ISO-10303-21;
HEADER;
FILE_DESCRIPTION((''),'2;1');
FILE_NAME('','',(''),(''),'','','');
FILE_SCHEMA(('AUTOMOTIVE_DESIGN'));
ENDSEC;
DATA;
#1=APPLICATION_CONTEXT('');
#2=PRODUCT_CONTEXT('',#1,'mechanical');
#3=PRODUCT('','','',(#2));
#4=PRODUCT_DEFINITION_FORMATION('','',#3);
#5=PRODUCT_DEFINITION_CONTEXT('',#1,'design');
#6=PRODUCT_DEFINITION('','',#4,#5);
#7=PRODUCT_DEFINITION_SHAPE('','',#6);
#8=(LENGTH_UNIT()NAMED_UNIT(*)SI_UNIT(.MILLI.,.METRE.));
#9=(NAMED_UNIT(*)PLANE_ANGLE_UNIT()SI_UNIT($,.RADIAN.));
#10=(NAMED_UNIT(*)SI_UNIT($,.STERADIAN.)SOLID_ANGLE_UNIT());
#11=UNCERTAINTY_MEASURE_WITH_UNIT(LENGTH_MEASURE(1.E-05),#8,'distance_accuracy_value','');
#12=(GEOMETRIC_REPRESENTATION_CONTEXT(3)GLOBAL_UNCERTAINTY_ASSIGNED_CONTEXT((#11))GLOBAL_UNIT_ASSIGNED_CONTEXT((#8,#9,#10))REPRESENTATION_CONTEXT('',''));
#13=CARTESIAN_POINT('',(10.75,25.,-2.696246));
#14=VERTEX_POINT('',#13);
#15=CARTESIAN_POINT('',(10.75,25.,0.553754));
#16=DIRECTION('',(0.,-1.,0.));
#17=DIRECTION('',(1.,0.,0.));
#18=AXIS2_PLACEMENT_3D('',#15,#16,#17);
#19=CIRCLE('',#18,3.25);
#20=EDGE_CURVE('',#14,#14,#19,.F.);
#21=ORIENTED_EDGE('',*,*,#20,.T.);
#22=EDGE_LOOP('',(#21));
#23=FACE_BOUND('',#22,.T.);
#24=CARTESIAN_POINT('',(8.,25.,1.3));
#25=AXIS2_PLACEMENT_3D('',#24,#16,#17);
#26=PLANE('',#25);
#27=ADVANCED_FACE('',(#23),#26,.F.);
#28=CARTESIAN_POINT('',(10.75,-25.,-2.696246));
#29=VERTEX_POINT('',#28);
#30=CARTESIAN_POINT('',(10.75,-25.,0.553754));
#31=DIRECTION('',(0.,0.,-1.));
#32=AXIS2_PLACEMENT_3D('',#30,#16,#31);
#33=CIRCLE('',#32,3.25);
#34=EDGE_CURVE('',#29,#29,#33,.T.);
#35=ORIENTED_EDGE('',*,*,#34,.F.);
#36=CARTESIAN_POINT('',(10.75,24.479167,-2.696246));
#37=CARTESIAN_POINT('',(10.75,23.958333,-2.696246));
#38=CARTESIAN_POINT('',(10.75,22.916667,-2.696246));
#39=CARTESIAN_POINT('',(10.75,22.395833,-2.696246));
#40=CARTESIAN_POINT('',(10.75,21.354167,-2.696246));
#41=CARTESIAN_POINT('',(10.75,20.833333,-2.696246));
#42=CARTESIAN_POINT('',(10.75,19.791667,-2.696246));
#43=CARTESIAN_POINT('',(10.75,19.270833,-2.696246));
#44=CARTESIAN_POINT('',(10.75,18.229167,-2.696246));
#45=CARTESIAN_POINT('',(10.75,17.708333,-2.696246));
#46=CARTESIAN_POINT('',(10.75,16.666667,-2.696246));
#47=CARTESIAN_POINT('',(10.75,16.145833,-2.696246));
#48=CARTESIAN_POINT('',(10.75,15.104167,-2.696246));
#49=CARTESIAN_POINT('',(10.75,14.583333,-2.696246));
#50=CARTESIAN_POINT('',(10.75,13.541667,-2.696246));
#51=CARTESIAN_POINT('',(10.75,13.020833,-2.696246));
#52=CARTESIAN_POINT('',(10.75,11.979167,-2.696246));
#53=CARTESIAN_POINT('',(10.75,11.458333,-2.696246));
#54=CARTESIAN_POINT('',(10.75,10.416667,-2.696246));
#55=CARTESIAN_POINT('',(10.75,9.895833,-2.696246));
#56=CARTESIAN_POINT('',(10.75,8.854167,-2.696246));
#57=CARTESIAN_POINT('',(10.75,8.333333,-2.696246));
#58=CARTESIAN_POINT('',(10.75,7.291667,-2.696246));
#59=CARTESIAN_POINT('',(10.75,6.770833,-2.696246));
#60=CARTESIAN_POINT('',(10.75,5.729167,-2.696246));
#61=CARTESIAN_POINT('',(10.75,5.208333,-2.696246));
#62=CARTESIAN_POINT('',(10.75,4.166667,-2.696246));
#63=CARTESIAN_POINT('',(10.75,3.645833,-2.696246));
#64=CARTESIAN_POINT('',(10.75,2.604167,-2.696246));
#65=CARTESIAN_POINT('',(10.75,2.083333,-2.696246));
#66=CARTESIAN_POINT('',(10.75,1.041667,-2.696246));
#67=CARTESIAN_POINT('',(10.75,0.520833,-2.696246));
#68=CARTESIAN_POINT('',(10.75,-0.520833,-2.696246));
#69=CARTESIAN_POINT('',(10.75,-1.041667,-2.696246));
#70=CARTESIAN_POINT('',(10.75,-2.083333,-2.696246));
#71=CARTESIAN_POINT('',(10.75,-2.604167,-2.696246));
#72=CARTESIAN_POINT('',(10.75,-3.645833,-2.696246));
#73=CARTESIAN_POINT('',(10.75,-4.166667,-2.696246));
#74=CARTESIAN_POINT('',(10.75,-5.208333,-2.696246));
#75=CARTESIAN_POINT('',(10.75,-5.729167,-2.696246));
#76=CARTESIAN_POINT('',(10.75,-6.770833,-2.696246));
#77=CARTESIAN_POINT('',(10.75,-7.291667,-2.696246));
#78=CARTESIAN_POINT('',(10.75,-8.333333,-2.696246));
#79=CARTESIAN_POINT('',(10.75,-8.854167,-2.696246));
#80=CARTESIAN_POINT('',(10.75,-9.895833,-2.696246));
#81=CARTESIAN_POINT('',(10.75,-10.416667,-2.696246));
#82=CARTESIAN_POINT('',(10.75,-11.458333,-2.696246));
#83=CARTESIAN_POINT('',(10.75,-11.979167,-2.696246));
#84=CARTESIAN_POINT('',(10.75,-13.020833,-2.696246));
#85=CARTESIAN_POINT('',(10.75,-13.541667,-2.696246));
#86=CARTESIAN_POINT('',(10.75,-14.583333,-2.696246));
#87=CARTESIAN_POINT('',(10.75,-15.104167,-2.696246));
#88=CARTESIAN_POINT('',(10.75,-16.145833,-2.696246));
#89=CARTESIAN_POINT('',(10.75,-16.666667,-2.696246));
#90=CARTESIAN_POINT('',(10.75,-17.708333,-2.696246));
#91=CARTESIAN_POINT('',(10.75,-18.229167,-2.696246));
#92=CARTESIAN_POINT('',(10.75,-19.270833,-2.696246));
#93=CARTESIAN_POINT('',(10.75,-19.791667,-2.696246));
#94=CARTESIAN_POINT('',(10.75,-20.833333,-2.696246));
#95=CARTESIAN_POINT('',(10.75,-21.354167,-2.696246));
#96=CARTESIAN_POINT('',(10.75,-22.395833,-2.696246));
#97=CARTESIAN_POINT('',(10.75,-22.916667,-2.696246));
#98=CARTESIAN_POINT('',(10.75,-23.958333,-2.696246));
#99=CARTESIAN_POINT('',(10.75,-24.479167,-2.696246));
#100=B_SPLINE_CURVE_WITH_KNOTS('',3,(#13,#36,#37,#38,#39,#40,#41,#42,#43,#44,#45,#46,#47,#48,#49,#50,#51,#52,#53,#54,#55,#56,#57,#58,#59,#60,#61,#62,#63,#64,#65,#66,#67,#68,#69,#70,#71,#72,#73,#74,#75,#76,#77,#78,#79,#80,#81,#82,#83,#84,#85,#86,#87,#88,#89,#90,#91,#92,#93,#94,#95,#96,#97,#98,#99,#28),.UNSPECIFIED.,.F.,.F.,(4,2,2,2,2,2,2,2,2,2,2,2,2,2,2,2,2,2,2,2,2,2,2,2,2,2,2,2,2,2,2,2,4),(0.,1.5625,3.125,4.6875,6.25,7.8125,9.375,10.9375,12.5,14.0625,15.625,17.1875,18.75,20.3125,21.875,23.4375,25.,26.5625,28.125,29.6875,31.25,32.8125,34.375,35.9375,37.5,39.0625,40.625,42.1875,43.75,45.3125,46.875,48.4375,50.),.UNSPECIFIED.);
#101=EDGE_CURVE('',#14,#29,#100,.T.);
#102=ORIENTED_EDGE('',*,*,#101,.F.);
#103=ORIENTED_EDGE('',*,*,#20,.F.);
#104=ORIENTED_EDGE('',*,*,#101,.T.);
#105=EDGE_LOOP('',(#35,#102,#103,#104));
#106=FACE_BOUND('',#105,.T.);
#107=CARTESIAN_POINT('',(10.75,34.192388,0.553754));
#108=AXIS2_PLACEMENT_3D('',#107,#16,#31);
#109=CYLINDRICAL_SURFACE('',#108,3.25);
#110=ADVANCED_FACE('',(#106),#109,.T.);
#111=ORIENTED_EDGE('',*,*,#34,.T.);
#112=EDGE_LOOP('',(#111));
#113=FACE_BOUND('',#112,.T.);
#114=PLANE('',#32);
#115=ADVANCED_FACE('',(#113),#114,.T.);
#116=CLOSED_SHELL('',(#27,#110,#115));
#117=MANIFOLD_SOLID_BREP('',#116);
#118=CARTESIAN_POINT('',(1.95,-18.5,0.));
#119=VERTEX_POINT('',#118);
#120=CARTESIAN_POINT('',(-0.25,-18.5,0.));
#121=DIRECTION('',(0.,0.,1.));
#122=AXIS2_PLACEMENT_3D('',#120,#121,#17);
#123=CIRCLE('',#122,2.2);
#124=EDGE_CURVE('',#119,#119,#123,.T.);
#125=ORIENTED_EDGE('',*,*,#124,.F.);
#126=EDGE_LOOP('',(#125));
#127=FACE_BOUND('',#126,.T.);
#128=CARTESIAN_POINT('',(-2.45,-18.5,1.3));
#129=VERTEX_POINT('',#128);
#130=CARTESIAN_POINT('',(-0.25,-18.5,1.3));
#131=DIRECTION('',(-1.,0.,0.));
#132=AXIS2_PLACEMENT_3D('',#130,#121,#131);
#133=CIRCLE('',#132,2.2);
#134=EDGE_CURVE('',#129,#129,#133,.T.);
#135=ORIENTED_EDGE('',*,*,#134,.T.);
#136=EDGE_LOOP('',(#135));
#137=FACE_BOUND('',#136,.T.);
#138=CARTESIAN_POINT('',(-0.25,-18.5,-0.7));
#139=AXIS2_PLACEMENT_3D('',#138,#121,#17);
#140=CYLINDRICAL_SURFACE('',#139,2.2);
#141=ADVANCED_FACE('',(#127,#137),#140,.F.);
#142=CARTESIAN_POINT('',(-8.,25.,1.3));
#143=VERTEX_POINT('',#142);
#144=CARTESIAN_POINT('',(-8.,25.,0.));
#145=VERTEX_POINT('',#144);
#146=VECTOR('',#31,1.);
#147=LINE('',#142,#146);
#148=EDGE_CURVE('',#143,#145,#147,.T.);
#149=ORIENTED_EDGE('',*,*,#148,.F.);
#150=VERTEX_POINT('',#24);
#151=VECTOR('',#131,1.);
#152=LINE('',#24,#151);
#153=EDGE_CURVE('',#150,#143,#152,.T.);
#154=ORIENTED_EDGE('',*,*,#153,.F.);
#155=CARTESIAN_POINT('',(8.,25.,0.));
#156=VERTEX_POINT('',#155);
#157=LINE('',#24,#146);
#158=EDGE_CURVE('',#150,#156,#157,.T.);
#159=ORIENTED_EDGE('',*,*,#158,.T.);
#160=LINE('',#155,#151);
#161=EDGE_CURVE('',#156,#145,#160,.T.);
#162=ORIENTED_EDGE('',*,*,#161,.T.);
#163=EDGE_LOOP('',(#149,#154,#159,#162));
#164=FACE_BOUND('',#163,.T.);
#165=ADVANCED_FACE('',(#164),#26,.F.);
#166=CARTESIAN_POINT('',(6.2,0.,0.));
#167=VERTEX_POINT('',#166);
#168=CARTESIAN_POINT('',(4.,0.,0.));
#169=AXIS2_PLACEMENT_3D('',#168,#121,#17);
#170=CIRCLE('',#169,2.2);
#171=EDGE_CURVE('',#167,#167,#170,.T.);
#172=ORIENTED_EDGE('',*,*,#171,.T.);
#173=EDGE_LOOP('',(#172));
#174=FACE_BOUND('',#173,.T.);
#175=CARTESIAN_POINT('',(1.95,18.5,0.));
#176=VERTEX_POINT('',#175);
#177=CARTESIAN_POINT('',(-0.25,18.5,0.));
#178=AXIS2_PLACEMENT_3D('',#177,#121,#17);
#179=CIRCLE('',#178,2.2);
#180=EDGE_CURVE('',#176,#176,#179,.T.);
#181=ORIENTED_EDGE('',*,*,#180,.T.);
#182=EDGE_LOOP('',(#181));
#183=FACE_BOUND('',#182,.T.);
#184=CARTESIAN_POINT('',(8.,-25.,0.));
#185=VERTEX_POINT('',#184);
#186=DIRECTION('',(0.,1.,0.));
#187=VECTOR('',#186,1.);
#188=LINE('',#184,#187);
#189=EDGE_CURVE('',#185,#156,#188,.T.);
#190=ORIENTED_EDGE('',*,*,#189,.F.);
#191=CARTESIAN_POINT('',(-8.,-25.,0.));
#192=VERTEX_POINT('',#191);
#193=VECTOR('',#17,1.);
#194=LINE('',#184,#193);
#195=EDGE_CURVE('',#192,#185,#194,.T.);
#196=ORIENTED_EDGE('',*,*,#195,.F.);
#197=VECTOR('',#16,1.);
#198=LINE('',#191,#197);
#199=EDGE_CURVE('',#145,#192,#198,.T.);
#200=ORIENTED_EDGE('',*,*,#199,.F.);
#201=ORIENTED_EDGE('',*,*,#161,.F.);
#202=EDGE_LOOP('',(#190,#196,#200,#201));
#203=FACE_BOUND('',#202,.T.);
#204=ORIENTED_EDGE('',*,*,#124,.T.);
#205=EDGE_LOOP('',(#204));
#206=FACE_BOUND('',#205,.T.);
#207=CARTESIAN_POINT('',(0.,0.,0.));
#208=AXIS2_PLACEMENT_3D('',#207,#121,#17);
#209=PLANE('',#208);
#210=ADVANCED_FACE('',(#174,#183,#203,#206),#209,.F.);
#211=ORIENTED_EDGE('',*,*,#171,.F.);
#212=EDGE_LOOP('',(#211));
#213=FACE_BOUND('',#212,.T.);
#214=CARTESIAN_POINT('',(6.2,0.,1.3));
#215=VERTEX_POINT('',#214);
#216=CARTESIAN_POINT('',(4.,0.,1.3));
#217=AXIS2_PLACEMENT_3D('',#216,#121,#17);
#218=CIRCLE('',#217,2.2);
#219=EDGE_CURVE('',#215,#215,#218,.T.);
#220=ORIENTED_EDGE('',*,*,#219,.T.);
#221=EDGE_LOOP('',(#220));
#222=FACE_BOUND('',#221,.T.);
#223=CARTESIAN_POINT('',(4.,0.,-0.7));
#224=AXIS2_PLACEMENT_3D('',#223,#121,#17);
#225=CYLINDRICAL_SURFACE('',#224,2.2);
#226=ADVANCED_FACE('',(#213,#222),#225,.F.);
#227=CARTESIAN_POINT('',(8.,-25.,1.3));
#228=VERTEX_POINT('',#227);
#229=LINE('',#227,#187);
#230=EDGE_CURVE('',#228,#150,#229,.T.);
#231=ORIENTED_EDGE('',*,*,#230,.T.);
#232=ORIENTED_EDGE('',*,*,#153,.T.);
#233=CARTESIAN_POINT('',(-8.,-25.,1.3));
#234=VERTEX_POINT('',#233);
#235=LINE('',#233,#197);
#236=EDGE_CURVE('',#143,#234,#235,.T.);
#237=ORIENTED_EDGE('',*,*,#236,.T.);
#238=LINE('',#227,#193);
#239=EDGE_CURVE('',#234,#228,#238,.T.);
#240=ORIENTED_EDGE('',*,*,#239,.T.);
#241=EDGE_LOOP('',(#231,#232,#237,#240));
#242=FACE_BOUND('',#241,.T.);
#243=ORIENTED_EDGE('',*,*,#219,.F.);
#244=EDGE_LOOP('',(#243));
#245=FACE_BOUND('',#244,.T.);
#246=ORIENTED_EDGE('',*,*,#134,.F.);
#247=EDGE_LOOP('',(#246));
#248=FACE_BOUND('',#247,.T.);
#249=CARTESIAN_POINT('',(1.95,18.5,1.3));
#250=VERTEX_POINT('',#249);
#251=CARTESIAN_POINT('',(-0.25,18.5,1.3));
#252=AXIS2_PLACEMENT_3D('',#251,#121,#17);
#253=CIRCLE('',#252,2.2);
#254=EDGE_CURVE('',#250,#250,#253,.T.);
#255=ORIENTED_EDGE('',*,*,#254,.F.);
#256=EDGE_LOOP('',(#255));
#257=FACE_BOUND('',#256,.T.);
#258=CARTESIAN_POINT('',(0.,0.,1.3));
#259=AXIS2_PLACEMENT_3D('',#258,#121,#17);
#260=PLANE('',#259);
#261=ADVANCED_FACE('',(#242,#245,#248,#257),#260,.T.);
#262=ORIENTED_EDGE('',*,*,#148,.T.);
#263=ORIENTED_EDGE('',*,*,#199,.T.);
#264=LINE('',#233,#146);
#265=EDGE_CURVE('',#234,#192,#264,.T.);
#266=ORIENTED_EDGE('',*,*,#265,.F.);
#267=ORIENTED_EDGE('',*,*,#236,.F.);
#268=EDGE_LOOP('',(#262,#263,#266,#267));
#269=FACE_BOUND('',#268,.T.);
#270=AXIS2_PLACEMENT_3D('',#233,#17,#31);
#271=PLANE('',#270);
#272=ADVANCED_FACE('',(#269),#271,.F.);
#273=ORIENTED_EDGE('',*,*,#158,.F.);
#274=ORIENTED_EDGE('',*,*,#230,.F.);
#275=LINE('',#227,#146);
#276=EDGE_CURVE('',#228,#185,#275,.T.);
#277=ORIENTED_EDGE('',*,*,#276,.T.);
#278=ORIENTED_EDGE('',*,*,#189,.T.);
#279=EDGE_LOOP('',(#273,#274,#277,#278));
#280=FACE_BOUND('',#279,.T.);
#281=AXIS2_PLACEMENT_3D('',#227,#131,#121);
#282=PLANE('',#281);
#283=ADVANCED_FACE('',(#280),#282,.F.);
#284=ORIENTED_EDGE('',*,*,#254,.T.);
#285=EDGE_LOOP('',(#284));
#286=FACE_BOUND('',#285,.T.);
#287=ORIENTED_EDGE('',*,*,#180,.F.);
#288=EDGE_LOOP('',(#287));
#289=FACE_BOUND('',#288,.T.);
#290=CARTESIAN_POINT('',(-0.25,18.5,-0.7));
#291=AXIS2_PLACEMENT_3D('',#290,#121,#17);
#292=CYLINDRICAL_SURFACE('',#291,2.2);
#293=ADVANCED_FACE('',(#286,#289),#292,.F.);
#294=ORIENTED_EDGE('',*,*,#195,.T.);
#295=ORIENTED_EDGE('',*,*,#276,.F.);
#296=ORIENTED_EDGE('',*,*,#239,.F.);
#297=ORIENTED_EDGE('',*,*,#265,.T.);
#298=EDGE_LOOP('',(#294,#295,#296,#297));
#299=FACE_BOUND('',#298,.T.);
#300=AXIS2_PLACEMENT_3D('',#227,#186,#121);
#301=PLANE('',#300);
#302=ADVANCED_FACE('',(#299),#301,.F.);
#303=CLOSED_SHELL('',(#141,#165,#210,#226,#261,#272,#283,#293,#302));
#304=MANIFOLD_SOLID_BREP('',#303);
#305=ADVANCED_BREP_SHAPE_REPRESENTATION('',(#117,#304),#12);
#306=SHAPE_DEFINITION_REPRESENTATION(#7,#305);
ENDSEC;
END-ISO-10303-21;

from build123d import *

# Parameters (mm, degrees)
SKETCH_1_W          = 16
SKETCH_1_H          = 50
EXTRUDE_1_DEPTH     = 1.3
SKETCH_2_R          = 2.2
CUT_EXTRUDE_1_DEPTH = 2
SKETCH_3_R          = 3.25
EXTRUDE_2_DEPTH     = 50


with BuildPart() as part:
    # 草图1 → 凸台-拉伸1 (new body)
    with BuildSketch(Plane.XY):
        Rectangle(SKETCH_1_W, SKETCH_1_H)
    extrude(amount=EXTRUDE_1_DEPTH)

    # 草图2 → 切除-拉伸1 (cut)
    with BuildSketch(Plane.XY.offset(1.3)):
        with Locations((4, 0)):
            Circle(SKETCH_2_R)
        with Locations((-0.25, 18.5)):
            Circle(SKETCH_2_R)
        with Locations((-0.25, -18.5)):
            Circle(SKETCH_2_R)
    extrude(amount=-CUT_EXTRUDE_1_DEPTH, mode=Mode.SUBTRACT)


with BuildPart() as body_2:
    # 草图3 → 凸台-拉伸2 (new body)
    with BuildSketch(Plane.XZ.offset(25)):
        with Locations(Location((10.75, 0.553753861, 0), (0, 0, 270))):
            Circle(SKETCH_3_R)
    extrude(amount=-EXTRUDE_2_DEPTH)


solid = Compound([part.part, body_2.part])
